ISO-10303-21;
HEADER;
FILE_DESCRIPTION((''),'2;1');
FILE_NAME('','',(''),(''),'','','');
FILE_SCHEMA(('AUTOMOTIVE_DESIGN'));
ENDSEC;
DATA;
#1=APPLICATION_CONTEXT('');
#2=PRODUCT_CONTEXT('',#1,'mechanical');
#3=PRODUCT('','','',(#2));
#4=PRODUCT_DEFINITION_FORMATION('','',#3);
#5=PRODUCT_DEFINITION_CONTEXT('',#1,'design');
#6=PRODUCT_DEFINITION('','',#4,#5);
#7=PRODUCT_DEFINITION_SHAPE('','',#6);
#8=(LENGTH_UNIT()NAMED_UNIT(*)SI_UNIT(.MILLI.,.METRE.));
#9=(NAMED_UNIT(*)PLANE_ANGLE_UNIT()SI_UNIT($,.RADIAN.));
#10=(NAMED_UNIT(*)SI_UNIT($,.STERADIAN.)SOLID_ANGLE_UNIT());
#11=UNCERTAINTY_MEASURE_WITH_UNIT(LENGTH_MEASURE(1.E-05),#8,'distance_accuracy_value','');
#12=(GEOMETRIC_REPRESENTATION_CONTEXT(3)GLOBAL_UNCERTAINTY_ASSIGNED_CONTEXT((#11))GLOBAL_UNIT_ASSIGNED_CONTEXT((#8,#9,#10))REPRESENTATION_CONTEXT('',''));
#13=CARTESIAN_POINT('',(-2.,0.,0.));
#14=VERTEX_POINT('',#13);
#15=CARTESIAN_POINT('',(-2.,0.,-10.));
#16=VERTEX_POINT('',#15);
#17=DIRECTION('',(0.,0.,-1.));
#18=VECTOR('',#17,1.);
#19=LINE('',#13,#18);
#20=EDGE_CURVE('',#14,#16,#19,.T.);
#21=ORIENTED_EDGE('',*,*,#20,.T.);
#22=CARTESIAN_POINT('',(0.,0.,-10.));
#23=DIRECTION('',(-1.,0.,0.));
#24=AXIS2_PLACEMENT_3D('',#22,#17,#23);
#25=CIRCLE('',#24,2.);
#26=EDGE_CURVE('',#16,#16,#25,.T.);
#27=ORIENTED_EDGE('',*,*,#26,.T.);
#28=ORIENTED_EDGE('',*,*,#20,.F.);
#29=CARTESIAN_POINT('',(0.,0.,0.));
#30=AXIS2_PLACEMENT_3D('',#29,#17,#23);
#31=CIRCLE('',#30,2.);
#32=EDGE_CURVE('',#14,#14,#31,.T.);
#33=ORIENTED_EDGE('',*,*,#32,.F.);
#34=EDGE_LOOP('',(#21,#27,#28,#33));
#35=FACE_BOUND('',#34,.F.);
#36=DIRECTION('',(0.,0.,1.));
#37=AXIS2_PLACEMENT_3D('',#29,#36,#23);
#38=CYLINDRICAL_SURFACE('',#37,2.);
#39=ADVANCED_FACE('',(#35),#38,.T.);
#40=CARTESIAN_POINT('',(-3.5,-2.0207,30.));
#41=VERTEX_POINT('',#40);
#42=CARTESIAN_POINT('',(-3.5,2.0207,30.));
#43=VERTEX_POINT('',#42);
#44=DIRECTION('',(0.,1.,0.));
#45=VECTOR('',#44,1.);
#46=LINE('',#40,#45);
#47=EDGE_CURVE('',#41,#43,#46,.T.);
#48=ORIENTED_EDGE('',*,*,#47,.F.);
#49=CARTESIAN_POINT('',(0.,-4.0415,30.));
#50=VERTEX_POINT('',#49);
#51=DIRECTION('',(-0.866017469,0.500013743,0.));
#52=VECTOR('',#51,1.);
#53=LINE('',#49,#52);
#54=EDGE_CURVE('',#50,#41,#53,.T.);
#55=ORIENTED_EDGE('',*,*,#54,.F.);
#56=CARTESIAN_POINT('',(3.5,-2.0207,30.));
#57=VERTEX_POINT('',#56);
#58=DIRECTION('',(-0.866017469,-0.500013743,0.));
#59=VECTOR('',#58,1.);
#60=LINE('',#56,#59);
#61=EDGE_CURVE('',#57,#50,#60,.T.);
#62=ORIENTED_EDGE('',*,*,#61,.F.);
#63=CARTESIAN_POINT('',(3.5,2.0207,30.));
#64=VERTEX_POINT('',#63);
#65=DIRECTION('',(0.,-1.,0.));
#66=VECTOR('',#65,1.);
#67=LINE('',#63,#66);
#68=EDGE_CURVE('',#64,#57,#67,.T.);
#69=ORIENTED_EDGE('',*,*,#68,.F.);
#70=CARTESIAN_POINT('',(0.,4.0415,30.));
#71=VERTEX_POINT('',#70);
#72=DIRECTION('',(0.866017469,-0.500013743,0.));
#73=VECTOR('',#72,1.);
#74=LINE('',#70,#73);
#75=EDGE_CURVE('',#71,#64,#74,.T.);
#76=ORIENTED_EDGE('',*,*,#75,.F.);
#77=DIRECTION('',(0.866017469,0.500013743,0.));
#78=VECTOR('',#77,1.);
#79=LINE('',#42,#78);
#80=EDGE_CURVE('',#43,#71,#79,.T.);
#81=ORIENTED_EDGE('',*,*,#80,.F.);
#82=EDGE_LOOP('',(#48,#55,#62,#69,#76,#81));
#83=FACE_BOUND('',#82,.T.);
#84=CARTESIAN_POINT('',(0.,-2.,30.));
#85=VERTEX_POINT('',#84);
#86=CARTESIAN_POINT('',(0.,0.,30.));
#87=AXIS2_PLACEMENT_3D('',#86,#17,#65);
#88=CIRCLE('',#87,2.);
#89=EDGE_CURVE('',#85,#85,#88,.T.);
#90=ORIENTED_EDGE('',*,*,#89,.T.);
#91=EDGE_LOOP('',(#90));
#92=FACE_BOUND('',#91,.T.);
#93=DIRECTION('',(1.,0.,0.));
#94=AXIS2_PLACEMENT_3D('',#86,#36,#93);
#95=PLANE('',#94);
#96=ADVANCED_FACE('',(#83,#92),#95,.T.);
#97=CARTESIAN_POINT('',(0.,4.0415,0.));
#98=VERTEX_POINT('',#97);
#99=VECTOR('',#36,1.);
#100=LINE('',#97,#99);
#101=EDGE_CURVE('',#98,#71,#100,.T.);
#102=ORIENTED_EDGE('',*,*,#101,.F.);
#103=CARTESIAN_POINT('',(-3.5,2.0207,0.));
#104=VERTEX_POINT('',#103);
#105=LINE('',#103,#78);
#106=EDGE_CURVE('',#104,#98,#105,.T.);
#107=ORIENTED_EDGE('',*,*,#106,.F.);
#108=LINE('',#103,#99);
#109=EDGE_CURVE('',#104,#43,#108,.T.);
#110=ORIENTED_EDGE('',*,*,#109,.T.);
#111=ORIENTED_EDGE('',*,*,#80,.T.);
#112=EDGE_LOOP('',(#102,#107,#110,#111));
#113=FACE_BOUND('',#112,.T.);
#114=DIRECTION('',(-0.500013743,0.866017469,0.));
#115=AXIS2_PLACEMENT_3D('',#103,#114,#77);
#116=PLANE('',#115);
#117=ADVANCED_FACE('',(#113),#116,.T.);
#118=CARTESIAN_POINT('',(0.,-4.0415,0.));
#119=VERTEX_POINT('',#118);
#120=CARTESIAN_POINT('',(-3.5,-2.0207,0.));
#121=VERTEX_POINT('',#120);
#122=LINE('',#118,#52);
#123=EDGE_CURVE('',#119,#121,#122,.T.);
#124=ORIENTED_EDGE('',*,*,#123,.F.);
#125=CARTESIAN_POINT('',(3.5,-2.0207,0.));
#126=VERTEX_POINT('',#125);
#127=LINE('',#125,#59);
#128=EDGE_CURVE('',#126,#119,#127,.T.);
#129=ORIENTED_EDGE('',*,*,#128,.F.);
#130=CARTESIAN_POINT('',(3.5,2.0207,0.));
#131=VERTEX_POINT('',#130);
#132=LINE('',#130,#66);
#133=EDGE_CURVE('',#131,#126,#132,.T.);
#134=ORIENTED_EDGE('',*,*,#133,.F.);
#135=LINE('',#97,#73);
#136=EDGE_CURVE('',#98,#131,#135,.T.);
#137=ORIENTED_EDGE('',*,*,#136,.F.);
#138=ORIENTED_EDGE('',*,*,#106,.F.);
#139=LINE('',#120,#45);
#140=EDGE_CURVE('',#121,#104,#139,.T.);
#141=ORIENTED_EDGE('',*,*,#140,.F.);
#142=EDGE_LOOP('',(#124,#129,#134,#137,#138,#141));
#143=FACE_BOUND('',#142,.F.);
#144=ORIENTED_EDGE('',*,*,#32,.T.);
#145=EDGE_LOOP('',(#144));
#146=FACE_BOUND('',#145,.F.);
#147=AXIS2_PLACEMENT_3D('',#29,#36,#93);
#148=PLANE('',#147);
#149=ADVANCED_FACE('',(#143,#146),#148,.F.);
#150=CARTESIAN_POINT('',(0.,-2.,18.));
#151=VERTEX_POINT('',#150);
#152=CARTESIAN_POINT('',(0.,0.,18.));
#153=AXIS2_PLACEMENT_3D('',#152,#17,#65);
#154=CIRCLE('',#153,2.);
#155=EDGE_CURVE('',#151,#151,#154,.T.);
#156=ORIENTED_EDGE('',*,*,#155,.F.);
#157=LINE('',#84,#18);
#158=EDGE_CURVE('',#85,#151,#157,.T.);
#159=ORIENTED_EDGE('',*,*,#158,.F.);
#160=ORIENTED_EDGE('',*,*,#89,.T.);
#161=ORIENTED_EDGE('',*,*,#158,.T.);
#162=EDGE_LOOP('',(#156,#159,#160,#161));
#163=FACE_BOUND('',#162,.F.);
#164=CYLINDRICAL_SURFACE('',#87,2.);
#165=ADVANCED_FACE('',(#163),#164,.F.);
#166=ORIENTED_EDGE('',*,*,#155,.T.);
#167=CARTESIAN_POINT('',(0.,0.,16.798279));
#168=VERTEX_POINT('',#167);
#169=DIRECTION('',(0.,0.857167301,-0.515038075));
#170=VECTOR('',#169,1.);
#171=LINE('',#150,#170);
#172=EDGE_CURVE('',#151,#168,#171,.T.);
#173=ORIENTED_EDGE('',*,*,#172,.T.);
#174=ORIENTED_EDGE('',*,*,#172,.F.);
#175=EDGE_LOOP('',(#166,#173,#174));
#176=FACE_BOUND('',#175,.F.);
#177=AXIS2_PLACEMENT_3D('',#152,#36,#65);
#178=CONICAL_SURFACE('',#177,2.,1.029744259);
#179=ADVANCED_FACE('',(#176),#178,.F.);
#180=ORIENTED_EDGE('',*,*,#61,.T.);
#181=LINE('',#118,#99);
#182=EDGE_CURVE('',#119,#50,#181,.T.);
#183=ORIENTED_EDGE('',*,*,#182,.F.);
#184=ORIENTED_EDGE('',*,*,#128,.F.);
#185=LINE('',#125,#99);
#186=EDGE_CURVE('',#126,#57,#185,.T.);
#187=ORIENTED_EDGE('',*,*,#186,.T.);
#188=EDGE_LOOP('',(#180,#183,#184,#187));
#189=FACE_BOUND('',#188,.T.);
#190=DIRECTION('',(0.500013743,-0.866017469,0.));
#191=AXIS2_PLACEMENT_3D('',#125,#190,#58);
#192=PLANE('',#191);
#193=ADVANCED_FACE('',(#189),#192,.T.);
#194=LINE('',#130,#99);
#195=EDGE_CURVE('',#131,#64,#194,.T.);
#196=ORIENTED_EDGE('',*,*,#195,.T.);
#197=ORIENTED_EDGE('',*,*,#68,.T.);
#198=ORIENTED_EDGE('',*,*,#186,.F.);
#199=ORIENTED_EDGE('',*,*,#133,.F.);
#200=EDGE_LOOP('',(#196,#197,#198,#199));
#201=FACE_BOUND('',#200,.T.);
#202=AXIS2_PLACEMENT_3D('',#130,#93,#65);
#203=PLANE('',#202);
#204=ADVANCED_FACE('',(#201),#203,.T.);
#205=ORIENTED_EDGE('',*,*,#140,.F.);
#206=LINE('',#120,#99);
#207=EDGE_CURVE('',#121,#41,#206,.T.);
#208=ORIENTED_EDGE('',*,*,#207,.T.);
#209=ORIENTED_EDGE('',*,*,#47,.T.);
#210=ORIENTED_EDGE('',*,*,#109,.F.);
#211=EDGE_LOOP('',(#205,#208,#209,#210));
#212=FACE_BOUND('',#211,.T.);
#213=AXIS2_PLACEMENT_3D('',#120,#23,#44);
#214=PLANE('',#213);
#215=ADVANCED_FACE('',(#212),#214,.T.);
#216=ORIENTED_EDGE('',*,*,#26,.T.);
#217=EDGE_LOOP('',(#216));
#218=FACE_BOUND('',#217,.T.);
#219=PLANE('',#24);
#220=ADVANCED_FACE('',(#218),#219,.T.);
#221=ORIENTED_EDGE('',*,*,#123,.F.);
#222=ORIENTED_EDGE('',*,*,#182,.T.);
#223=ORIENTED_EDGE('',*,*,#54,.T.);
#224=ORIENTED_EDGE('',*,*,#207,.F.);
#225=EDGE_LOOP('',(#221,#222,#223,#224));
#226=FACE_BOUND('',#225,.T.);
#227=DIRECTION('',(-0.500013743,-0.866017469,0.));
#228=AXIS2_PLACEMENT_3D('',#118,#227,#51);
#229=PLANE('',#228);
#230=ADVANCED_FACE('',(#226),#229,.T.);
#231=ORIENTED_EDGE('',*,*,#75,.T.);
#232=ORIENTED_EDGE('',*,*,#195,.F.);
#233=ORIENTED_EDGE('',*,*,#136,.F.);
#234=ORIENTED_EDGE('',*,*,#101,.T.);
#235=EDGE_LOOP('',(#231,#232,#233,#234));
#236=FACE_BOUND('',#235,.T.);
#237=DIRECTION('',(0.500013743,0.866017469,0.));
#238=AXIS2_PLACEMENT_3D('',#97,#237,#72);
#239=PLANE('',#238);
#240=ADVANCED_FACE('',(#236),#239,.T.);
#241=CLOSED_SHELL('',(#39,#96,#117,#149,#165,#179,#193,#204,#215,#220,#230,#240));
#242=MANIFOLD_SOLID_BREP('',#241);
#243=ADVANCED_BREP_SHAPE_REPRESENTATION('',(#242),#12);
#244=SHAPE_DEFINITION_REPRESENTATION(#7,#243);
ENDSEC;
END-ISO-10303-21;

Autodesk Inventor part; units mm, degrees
ref_plane "YZ Plane" through (0, 0, 0) normal (1, 0, 0) x (0, 1, 0)
ref_plane "XZ Plane" through (0, 0, 0) normal (0, 1, 0) x (-1, 0, 0)
ref_plane "XY Plane" through (0, 0, 0) normal (0, 0, 1) x (1, 0, 0)
sketch "スケッチ1" plane through (0, 0, 0) normal (0, 0, 1) x (1, 0, 0)
  circle A0 centre (0, 0) radius 3.5 construction
  line L0 (3.5, -2.0207) -> (0, -4.0415)
  line L1 (0, -4.0415) -> (-3.5, -2.0207)
  line L2 (-3.5, -2.0207) -> (-3.5, 2.0207)
  line L3 (-3.5, 2.0207) -> (0, 4.0415)
  line L4 (0, 4.0415) -> (3.5, 2.0207)
  line L5 (3.5, 2.0207) -> (3.5, -2.0207)
  point P0 (3.5, 0)
  dimension "d0" = 7
extrude "押し出し1" add sketch "スケッチ1" along normal blind 30
sketch "スケッチ2" plane through (0, 0, 30) normal (0, 0, 1) x (1, 0, 0)
  point P0 (0, 0)
  point P1 (0, 0)
hole "穴1" at (0, 0, 30) direction (0, 0, -1) diameter 4 depth 12 tip angle 118
sketch "スケッチ3" plane through (0, 0, 0) normal (0, 0, -1) x (-1, 0, 0)
  circle A0 centre (0, 0) radius 2
  dimension "d10" = 4
extrude "押し出し2" add sketch "スケッチ3" along normal blind 10
properties part number "六角スペーサー" material "鉄、ダクタイル鋳鉄"
